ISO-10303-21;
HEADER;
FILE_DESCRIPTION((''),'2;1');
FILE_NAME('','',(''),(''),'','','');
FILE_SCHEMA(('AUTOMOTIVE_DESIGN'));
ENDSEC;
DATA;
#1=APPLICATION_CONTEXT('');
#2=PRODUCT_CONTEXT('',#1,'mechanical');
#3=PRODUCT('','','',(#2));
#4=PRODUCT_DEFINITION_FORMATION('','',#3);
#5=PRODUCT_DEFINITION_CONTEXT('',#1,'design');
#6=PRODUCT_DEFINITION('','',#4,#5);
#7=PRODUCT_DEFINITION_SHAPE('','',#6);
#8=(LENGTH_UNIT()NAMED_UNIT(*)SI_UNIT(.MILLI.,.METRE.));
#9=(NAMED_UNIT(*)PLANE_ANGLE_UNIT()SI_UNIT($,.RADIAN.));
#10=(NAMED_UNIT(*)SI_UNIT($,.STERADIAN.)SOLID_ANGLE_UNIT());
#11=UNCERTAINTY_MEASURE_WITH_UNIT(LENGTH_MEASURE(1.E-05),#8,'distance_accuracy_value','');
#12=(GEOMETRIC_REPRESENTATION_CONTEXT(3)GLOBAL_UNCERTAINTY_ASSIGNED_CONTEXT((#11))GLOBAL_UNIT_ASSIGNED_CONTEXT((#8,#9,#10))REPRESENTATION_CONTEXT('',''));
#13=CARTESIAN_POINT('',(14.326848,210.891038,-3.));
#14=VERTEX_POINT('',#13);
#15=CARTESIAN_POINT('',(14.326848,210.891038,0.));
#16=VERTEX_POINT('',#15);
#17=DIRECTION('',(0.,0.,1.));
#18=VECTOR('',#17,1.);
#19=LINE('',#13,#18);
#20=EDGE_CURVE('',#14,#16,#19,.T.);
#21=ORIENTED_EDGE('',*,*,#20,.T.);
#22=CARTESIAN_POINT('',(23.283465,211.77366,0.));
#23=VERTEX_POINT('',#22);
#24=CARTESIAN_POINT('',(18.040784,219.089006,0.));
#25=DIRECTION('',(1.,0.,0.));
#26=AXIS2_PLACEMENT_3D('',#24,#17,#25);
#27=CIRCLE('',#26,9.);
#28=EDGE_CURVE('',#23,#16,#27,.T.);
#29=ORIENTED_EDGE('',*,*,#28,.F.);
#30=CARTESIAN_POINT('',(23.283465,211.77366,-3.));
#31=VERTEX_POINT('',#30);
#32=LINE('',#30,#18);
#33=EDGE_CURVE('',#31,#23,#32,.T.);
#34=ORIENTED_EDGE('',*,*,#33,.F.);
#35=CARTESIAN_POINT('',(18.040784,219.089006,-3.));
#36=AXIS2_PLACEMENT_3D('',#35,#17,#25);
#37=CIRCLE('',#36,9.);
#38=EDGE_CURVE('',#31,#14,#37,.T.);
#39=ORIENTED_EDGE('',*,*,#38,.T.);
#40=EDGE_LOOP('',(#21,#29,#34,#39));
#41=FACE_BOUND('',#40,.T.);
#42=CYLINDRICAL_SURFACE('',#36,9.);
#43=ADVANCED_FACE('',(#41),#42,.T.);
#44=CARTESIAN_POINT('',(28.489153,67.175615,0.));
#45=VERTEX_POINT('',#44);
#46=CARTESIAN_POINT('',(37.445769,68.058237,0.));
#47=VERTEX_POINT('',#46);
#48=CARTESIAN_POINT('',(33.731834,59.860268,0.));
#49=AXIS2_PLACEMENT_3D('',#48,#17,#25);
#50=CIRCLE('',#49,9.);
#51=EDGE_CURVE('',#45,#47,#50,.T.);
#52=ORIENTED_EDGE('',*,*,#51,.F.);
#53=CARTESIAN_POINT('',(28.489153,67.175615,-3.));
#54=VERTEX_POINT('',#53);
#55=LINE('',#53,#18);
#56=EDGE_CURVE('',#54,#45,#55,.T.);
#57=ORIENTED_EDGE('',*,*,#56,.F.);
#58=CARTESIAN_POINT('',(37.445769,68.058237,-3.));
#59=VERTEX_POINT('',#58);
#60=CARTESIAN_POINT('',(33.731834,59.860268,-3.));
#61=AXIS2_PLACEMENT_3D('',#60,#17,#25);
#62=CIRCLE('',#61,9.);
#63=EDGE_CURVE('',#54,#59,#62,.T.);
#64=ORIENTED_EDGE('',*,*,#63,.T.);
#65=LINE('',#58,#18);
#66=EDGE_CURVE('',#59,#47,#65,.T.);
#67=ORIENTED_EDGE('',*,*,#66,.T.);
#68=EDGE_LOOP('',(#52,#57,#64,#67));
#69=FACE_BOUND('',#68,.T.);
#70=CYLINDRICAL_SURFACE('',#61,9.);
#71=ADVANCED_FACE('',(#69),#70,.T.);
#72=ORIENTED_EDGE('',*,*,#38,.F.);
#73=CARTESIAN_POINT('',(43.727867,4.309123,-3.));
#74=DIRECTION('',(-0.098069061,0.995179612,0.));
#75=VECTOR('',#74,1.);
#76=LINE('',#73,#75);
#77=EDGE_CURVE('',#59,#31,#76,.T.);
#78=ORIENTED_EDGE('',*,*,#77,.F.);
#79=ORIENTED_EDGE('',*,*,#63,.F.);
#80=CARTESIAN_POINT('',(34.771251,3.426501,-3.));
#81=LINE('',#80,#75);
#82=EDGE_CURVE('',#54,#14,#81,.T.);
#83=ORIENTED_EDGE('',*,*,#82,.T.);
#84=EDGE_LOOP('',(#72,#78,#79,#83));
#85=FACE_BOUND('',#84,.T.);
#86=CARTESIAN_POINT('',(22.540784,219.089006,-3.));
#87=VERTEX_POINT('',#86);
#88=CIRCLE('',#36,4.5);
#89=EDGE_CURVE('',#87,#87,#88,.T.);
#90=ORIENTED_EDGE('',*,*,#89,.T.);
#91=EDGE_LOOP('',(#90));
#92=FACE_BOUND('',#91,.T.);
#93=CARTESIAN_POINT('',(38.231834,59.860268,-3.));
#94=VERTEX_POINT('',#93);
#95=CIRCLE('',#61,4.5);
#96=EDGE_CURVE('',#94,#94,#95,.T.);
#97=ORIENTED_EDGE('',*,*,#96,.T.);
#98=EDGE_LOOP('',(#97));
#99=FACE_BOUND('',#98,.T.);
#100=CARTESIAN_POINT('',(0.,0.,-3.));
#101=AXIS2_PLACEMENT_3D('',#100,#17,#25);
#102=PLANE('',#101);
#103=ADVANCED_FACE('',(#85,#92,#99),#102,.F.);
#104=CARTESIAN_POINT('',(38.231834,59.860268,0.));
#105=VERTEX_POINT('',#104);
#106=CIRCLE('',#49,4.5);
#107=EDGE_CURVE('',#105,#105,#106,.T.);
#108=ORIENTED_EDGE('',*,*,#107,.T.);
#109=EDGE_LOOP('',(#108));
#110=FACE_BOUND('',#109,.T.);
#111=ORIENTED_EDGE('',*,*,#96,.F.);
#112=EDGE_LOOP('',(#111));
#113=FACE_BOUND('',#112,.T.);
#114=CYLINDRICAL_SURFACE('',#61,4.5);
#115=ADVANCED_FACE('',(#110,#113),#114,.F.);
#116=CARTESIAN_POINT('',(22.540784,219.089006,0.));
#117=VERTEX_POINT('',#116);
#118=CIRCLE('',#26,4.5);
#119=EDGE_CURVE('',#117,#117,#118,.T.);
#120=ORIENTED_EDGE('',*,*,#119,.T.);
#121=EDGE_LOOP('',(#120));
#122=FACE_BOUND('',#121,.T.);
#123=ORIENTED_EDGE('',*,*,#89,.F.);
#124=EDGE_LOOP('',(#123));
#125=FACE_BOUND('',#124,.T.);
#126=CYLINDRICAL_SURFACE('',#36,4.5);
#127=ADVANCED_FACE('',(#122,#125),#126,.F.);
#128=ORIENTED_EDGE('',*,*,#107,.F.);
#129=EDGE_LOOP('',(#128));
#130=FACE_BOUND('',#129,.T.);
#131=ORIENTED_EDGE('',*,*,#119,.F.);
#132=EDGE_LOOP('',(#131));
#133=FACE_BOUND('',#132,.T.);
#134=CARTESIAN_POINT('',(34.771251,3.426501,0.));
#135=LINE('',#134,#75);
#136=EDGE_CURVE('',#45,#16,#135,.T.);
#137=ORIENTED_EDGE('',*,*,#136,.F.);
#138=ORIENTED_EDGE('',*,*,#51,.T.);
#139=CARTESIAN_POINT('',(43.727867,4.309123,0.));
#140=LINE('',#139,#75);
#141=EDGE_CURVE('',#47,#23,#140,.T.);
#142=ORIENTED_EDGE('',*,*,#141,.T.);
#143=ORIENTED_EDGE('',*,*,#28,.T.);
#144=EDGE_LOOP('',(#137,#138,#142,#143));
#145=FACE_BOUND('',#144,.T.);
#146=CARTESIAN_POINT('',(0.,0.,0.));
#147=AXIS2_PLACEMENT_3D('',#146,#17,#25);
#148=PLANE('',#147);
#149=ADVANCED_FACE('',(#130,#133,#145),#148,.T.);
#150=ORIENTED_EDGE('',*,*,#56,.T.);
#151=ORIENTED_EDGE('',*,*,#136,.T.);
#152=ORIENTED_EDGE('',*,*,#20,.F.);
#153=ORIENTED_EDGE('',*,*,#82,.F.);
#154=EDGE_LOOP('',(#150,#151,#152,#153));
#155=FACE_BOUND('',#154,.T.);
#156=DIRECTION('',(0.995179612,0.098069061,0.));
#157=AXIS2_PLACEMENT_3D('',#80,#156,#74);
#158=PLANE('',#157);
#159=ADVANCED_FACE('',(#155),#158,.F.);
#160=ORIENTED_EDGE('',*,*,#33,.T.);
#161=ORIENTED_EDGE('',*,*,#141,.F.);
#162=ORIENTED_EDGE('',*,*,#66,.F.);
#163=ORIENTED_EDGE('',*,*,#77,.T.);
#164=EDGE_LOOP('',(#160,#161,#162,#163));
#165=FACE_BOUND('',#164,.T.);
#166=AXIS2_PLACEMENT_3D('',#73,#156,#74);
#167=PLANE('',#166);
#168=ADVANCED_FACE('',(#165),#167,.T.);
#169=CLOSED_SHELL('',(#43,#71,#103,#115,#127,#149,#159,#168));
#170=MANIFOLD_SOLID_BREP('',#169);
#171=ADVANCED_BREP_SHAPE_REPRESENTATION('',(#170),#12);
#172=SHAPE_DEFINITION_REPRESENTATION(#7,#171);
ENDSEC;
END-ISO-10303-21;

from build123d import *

# Parameters (mm, degrees)
BOSS_EXTRUDE1_DEPTH = 3


with BuildPart() as part:
    # Sketch1 → Boss-Extrude1 (new body)
    with BuildSketch(Plane.XY):
        with BuildLine():
            ThreePointArc((27.040784053, 219.089006289), (13.163562513, 226.652914674), (14.326848487, 210.891038089))
            Line((14.326848487, 210.891038089), (13.562475801, 218.647695514))
            ThreePointArc((13.562475801, 218.647695514), (17.599473278, 223.567314541), (22.519092305, 219.530317065))
            Line((22.519092305, 219.530317065), (23.28346499, 211.773659641))
            ThreePointArc((23.28346499, 211.773659641), (26.046535999, 214.977080246), (27.040784053, 219.089006289))
        make_face()
        with BuildLine():
            Line((13.562475801, 218.647695514), (14.326848487, 210.891038089))
            ThreePointArc((14.326848487, 210.891038089), (18.923405604, 210.132389785), (23.28346499, 211.773659641))
            Line((23.28346499, 211.773659641), (22.519092305, 219.530317065))
            ThreePointArc((22.519092305, 219.530317065), (18.482094829, 214.610698037), (13.562475801, 218.647695514))
        make_face()
        with BuildLine():
            Line((14.326848487, 210.891038089), (28.489152913, 67.175615091))
            ThreePointArc((28.489152913, 67.175615091), (32.849212299, 68.816884946), (37.445769417, 68.058236642))
            Line((37.445769417, 68.058236642), (23.28346499, 211.773659641))
            ThreePointArc((23.28346499, 211.773659641), (18.923405604, 210.132389785), (14.326848487, 210.891038089))
        make_face()
        with BuildLine():
            ThreePointArc((38.210142102, 60.301579218), (34.173144626, 55.381960191), (29.253525599, 59.418957667))
            Line((29.253525599, 59.418957667), (28.489152913, 67.175615091))
            ThreePointArc((28.489152913, 67.175615091), (29.619907807, 51.854516497), (42.73183385, 59.860268443))
            ThreePointArc((42.73183385, 59.860268443), (41.295742235, 64.737489982), (37.445769417, 68.058236642))
            Line((37.445769417, 68.058236642), (38.210142102, 60.301579218))
        make_face()
        with BuildLine():
            Line((28.489152913, 67.175615091), (29.253525599, 59.418957667))
            ThreePointArc((29.253525599, 59.418957667), (33.290523075, 64.338576695), (38.210142102, 60.301579218))
            Line((38.210142102, 60.301579218), (37.445769417, 68.058236642))
            ThreePointArc((37.445769417, 68.058236642), (32.849212299, 68.816884946), (28.489152913, 67.175615091))
        make_face()
    extrude(amount=-BOSS_EXTRUDE1_DEPTH)


solid = part.part
